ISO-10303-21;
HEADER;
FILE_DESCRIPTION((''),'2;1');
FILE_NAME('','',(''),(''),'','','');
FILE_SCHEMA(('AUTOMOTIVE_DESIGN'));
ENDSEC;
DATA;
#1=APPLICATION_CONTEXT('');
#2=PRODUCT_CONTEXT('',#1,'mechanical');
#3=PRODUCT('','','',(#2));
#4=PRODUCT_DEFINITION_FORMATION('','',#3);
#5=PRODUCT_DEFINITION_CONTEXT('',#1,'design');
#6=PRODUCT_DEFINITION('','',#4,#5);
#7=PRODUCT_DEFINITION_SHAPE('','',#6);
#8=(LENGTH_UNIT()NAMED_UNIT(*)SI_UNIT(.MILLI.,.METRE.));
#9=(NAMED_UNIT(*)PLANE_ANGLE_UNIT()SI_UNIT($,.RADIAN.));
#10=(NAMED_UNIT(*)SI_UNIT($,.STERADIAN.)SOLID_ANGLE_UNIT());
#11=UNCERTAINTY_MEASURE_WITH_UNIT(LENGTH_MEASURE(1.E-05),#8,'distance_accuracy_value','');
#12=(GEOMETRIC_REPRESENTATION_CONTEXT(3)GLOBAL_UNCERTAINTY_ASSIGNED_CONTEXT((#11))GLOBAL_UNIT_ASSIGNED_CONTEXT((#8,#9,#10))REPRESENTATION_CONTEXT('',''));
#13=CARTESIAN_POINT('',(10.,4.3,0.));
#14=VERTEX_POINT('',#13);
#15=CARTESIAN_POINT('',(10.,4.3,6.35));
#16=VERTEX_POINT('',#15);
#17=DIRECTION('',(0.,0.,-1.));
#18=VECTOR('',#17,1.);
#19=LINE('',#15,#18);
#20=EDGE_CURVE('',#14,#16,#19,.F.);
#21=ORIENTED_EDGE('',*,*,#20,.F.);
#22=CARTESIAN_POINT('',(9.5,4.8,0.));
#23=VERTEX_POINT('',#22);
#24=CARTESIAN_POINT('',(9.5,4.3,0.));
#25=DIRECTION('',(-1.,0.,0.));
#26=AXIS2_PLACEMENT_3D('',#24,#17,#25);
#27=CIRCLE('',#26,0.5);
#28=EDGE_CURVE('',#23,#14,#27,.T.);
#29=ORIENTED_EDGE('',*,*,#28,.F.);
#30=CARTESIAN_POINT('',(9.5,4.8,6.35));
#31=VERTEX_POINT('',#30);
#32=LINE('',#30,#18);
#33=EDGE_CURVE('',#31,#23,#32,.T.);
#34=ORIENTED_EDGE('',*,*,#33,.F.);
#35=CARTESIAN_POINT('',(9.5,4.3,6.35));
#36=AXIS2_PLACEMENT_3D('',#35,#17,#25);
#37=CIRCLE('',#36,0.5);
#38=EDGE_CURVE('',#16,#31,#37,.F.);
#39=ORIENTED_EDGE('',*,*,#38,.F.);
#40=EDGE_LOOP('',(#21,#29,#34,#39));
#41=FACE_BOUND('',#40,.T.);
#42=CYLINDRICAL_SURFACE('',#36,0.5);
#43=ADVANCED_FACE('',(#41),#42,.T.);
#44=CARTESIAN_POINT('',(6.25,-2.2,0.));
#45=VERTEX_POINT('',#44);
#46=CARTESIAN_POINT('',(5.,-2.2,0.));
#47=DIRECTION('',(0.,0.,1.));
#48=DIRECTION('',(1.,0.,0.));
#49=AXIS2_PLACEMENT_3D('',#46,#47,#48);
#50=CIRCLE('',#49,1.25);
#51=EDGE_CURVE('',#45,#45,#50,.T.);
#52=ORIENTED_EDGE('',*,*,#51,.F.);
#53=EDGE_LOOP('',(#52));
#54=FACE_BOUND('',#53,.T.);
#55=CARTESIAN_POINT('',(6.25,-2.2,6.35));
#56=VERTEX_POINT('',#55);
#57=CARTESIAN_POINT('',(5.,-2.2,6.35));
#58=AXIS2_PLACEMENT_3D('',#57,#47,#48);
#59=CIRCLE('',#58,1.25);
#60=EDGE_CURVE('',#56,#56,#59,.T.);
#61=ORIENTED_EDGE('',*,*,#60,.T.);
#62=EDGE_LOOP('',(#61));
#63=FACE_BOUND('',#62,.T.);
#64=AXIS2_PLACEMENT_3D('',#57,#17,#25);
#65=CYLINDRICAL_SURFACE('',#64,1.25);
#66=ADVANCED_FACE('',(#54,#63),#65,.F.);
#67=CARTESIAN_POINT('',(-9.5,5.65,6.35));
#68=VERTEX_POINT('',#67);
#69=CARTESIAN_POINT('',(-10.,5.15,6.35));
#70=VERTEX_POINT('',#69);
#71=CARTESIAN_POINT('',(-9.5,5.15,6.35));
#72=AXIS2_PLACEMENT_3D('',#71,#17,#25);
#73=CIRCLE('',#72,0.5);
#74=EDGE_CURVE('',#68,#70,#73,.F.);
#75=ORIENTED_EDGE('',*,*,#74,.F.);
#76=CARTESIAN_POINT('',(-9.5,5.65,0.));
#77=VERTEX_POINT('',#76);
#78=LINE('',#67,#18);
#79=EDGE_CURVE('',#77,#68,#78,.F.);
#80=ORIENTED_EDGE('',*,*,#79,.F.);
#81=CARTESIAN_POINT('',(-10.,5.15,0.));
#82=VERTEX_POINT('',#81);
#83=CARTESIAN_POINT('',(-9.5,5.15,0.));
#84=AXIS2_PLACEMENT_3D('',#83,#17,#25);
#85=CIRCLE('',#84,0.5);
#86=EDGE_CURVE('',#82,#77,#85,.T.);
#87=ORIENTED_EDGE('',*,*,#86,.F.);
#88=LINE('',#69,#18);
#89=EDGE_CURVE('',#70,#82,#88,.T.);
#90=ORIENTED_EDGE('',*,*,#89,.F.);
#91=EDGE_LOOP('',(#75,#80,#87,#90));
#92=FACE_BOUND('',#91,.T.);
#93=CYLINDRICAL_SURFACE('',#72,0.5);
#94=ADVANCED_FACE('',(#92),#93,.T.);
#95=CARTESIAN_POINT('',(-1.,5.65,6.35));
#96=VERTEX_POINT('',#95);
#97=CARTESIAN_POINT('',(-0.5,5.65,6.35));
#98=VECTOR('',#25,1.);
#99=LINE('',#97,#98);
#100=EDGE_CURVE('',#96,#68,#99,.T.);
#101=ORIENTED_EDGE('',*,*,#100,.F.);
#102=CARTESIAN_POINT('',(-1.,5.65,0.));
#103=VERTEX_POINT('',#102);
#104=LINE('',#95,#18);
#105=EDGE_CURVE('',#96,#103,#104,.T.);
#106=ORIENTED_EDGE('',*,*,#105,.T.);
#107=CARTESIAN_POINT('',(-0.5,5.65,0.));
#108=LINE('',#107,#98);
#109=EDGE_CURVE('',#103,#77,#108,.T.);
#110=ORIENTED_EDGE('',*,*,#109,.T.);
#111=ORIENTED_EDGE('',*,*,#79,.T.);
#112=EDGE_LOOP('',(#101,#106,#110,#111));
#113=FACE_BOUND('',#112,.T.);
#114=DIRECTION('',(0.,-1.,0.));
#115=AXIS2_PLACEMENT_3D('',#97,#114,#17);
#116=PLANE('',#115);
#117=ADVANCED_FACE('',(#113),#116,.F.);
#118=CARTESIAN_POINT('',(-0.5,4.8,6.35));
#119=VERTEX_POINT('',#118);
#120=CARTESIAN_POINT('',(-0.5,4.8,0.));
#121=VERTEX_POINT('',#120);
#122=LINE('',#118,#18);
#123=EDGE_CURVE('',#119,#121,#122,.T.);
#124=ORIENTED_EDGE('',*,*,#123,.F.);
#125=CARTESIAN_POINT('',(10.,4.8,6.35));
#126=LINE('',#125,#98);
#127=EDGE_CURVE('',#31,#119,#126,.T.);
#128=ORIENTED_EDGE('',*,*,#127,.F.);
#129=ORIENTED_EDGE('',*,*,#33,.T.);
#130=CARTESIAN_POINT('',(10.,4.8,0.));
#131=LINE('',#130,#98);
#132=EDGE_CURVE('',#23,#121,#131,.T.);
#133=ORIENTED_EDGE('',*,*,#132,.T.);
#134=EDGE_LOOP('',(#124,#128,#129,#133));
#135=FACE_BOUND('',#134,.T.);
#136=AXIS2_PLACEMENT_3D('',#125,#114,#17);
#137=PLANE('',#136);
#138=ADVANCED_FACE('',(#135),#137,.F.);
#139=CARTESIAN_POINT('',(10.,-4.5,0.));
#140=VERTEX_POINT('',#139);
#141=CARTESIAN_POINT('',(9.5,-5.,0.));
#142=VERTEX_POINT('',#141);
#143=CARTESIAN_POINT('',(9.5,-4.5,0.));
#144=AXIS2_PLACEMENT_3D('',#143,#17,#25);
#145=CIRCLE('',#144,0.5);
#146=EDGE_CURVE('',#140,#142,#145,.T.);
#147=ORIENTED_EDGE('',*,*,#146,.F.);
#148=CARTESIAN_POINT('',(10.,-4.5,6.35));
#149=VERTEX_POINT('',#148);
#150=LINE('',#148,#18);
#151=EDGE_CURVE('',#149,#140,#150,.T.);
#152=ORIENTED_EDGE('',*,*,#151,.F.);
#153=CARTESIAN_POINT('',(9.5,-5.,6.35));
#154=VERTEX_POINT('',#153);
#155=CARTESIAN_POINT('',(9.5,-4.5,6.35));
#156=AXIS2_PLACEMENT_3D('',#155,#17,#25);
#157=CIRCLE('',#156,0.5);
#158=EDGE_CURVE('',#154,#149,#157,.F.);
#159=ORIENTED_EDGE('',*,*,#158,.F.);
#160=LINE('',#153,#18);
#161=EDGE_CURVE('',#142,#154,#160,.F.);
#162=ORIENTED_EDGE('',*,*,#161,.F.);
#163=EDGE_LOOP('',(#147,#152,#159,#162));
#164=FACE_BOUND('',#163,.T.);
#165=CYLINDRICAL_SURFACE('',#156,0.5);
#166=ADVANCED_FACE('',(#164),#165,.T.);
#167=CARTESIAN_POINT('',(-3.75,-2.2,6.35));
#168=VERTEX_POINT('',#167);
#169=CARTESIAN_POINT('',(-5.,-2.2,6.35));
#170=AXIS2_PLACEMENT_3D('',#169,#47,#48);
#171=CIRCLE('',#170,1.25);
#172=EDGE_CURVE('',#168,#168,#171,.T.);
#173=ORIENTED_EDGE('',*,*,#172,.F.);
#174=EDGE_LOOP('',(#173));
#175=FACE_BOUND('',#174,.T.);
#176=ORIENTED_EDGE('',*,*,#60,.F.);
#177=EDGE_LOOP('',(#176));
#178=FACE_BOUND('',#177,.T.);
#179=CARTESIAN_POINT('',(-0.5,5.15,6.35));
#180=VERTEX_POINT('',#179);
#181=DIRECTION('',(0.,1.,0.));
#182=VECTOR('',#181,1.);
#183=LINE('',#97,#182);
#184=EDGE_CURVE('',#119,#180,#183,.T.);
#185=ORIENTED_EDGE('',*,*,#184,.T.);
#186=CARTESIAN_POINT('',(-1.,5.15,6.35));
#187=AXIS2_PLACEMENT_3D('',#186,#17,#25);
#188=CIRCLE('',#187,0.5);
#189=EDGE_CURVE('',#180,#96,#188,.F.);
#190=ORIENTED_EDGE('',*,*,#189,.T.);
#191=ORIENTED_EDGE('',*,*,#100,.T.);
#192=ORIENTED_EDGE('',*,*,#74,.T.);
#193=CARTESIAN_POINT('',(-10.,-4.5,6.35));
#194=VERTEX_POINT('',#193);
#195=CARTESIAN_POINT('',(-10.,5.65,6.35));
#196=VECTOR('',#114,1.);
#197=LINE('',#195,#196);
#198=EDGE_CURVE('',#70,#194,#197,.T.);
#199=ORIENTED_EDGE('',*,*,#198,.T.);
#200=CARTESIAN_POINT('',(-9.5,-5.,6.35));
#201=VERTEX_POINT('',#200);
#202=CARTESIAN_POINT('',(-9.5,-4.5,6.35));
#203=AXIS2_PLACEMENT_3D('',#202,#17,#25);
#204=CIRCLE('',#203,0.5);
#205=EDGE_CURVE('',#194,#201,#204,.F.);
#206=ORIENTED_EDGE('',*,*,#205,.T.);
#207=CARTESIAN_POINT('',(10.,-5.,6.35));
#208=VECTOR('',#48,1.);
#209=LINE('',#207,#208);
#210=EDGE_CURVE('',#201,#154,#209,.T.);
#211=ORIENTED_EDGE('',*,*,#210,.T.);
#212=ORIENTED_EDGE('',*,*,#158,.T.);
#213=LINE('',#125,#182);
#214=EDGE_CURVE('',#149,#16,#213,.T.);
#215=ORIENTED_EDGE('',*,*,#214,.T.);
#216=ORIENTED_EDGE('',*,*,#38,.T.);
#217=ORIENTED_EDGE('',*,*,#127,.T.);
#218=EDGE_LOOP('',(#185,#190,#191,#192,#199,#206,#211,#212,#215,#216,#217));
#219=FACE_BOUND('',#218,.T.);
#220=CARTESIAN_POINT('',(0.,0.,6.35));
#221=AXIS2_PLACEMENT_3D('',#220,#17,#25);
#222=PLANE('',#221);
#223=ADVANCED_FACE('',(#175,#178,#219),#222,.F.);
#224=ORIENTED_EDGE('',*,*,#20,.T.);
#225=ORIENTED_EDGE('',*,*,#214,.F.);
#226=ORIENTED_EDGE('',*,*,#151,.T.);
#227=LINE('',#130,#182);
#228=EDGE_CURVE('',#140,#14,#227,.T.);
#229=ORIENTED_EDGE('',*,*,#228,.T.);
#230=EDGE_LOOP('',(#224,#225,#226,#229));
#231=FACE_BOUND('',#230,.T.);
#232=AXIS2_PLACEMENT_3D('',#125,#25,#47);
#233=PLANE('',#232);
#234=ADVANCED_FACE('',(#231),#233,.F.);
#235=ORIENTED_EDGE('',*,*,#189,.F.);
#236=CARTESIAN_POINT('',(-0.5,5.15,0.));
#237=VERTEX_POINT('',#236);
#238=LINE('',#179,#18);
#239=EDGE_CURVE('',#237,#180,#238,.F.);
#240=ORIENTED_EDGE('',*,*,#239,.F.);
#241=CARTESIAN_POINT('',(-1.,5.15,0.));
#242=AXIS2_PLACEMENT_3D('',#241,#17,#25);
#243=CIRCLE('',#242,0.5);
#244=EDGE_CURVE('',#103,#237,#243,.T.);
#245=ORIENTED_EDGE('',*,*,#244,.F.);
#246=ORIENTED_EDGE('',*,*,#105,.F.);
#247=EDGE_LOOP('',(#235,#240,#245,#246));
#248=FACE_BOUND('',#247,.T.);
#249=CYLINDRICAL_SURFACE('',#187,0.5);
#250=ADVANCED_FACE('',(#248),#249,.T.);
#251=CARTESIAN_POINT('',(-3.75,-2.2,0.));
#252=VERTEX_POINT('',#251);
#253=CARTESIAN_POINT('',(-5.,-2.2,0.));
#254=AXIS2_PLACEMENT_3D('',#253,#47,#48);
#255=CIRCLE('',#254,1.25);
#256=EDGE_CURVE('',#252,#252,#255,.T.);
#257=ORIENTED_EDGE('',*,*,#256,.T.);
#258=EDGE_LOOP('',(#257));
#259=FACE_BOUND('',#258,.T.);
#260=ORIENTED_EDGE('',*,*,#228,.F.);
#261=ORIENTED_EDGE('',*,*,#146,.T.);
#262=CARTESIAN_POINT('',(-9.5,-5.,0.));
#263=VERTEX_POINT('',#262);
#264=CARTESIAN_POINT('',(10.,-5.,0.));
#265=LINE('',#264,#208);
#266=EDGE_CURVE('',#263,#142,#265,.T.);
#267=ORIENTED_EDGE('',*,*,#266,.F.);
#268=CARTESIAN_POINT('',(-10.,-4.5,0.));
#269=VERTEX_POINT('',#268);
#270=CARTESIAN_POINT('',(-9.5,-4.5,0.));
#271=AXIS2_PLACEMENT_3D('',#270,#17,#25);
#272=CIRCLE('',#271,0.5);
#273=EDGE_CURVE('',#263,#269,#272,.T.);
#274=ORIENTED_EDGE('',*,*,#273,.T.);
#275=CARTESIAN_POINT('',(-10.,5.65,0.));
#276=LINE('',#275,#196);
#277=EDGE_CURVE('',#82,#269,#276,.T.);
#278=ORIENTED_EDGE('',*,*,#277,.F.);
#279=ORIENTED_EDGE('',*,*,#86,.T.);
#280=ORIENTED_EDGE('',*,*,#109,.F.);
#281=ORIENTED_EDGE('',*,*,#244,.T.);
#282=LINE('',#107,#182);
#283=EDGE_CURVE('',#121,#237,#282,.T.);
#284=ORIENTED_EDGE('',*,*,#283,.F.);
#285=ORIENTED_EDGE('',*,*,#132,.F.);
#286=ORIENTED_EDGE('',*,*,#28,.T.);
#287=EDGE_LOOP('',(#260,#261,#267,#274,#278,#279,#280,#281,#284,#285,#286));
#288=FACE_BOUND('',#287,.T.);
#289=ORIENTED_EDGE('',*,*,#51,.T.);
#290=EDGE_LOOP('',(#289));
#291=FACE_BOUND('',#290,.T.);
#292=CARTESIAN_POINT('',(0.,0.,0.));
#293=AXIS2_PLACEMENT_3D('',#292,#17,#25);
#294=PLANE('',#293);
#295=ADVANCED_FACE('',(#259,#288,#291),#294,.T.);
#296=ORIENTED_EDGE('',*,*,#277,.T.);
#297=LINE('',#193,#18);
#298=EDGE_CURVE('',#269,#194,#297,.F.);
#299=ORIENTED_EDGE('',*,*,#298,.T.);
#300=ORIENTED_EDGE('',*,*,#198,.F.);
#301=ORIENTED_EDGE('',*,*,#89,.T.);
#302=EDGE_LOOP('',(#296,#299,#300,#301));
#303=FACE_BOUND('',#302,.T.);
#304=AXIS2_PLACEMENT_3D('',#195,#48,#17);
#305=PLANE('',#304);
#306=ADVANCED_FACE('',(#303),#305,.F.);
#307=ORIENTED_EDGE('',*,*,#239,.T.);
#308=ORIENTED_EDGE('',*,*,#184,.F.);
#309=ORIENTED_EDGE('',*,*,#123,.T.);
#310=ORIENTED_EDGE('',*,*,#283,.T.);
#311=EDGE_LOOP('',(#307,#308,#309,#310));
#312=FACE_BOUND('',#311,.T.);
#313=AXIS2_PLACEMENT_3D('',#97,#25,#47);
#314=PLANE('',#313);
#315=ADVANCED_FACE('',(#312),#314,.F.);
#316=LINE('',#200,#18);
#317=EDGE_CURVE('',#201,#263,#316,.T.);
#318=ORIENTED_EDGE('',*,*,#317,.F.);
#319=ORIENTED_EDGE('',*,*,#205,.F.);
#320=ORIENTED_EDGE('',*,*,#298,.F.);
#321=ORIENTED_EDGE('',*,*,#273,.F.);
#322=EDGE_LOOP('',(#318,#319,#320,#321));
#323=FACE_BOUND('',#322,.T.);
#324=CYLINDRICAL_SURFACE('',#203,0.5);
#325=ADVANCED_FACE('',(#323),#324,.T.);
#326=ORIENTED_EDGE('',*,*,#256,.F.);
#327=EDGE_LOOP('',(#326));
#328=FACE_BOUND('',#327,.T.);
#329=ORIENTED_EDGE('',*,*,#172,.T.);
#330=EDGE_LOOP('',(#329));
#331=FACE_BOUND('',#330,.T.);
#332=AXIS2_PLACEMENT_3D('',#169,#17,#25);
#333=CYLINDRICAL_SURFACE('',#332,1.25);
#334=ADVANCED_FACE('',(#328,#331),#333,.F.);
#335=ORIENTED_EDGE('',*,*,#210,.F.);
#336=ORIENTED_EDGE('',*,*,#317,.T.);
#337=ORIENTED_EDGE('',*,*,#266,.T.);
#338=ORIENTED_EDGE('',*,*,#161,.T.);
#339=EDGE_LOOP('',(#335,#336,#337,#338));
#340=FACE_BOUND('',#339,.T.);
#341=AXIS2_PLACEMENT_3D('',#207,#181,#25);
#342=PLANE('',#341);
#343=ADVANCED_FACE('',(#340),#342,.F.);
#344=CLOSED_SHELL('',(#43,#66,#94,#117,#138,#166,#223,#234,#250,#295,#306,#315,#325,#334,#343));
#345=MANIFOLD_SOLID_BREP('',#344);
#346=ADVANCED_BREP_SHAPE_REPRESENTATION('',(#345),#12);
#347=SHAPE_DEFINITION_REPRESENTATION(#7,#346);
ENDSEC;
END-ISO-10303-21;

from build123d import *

# Parameters (mm, degrees)
SKETCH1_R           = 1.25
BOSS_EXTRUDE1_DEPTH = 6.35
FILLET1_R           = 0.5


with BuildPart() as part:
    # Sketch1 → Boss-Extrude1 (new body)
    with BuildSketch(Plane.XY):
        Polygon((10, 4.8), (-0.5, 4.8), (-0.5, 5.65), (-10, 5.65), (-10, -5), (10, -5), align=None)
        with Locations((-5, -2.2)):
            Circle(SKETCH1_R, mode=Mode.SUBTRACT)
        with Locations((5, -2.2)):
            Circle(SKETCH1_R, mode=Mode.SUBTRACT)
    extrude(amount=BOSS_EXTRUDE1_DEPTH)

    # Fillet1
    fillet1_edges = [part.edges().sort_by_distance(p)[0] for p in [
        (-10, 5.65, 3.175),
        (-0.5, 5.65, 3.175),
        (10, 4.8, 3.175),
        (10, -5, 3.175),
        (-10, -5, 3.175),
    ]]
    fillet(fillet1_edges, radius=FILLET1_R)


solid = part.part
